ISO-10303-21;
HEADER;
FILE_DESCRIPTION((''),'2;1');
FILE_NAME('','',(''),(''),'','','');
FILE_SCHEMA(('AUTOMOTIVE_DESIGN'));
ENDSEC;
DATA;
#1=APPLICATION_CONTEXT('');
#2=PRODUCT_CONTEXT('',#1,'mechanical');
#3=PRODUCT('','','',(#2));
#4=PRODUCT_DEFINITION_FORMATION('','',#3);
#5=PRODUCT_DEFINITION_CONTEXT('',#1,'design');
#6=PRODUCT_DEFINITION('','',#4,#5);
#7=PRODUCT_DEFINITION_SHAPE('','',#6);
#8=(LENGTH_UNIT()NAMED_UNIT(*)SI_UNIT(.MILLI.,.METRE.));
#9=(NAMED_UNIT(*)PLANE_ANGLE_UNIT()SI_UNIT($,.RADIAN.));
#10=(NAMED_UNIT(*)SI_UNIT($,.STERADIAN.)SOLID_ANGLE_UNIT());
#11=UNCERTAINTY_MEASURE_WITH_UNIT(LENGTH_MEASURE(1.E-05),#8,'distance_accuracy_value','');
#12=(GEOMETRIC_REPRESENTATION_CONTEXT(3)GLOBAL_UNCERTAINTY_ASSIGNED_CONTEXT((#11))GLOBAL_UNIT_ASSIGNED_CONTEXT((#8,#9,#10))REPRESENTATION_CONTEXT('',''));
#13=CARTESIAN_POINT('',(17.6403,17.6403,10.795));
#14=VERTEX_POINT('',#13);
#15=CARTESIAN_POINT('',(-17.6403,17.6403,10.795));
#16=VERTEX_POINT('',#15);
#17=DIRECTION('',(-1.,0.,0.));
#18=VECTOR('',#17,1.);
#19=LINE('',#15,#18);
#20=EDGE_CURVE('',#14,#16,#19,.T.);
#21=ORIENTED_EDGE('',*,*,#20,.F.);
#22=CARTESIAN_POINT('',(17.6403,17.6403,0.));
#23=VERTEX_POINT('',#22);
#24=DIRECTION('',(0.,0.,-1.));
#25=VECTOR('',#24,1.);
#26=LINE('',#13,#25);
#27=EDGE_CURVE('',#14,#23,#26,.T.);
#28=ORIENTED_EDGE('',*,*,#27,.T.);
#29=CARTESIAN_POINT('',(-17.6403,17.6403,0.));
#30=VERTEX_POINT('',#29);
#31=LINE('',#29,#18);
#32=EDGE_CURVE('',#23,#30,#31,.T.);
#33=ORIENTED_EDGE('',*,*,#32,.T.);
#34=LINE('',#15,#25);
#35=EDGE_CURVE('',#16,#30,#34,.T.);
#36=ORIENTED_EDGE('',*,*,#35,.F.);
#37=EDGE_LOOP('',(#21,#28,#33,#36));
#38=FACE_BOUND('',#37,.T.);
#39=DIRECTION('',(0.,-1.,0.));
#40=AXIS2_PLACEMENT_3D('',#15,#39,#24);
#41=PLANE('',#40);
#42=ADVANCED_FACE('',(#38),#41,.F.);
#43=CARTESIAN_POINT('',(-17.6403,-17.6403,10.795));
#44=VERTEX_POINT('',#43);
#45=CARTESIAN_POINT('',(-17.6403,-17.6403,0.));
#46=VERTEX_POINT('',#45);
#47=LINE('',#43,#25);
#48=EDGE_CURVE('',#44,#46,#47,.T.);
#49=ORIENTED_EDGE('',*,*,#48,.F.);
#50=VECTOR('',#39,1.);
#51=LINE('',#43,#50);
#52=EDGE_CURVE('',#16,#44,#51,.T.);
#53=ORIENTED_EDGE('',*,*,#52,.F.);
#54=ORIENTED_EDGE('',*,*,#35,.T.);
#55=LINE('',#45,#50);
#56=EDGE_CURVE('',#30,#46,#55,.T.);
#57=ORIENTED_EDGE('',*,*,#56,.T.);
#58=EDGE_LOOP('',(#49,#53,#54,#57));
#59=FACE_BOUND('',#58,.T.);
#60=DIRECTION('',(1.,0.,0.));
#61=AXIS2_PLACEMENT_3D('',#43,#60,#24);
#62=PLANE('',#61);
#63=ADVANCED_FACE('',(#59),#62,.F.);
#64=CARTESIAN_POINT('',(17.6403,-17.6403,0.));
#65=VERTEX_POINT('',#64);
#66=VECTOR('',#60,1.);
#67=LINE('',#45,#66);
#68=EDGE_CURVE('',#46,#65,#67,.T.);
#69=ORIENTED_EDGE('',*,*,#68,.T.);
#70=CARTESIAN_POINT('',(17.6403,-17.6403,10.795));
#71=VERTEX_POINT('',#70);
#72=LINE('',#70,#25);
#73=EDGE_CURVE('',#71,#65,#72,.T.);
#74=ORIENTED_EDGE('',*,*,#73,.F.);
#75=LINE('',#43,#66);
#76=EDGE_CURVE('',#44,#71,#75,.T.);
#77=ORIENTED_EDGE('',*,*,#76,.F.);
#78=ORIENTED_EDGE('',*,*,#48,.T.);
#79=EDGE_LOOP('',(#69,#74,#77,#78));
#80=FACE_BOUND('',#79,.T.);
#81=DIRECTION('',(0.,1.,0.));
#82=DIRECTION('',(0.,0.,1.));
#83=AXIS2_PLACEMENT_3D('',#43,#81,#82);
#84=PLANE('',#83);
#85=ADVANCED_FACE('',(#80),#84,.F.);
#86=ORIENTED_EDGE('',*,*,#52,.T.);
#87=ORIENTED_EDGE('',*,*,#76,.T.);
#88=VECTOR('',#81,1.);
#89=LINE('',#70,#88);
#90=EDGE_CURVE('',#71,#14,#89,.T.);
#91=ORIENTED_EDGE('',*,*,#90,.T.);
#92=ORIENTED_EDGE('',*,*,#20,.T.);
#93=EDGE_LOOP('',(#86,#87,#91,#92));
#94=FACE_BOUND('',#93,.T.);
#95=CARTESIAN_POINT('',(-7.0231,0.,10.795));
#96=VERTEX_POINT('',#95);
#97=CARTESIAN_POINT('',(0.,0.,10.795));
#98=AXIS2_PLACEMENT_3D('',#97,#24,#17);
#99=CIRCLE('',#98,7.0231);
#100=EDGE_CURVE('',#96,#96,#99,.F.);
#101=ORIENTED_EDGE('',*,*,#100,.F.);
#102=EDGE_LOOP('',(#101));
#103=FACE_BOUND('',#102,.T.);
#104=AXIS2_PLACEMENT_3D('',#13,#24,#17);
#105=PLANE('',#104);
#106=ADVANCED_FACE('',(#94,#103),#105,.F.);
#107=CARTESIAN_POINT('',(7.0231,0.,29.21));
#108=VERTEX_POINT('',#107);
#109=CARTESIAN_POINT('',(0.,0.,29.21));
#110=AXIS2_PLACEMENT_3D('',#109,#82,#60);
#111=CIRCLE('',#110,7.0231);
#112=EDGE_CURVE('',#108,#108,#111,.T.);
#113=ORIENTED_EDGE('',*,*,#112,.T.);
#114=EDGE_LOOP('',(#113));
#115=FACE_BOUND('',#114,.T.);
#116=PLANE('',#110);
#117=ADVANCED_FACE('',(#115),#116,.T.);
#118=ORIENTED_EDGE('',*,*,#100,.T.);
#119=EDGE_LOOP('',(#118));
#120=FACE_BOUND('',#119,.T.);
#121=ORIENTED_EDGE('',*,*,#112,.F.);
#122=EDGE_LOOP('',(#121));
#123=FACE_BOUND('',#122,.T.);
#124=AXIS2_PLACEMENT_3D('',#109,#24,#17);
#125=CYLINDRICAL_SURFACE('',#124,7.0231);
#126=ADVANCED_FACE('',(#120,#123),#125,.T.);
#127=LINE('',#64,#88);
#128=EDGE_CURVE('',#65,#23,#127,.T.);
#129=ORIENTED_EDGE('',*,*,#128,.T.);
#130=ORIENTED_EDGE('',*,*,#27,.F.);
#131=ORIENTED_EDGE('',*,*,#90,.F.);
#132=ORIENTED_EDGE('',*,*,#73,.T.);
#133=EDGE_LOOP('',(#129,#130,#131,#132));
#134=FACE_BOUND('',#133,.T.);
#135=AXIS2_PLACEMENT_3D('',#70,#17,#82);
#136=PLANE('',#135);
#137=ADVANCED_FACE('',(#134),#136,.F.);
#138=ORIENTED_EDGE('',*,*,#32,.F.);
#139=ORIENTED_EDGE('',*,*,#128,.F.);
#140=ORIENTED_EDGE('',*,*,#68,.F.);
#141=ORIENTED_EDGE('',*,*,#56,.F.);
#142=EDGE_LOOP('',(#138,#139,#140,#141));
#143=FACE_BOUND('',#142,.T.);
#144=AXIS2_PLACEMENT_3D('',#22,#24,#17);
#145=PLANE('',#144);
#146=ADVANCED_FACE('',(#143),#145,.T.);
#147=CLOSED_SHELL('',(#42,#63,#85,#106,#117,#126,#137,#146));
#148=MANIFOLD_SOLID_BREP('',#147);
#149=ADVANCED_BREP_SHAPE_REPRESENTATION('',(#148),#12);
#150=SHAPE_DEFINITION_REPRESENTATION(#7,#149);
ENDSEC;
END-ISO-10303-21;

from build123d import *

# Parameters (mm, degrees)
SKETCH1_W      = 35.2806
SKETCH1_H      = 35.2806
EXTRUDE1_DEPTH = 10.795
SKETCH2_R      = 7.0231
EXTRUDE2_DEPTH = 18.415


with BuildPart() as part:
    # Sketch1 → Extrude1 (new body)
    with BuildSketch(Plane.XY):
        Rectangle(SKETCH1_W, SKETCH1_H)
    extrude(amount=EXTRUDE1_DEPTH)

    # Sketch2 → Extrude2 (add)
    with BuildSketch(Plane.XY.offset(10.795)):
        with Locations(Location((0, 0, 0), (0, 0, 180))):
            Circle(SKETCH2_R)
    extrude(amount=EXTRUDE2_DEPTH)


solid = part.part
